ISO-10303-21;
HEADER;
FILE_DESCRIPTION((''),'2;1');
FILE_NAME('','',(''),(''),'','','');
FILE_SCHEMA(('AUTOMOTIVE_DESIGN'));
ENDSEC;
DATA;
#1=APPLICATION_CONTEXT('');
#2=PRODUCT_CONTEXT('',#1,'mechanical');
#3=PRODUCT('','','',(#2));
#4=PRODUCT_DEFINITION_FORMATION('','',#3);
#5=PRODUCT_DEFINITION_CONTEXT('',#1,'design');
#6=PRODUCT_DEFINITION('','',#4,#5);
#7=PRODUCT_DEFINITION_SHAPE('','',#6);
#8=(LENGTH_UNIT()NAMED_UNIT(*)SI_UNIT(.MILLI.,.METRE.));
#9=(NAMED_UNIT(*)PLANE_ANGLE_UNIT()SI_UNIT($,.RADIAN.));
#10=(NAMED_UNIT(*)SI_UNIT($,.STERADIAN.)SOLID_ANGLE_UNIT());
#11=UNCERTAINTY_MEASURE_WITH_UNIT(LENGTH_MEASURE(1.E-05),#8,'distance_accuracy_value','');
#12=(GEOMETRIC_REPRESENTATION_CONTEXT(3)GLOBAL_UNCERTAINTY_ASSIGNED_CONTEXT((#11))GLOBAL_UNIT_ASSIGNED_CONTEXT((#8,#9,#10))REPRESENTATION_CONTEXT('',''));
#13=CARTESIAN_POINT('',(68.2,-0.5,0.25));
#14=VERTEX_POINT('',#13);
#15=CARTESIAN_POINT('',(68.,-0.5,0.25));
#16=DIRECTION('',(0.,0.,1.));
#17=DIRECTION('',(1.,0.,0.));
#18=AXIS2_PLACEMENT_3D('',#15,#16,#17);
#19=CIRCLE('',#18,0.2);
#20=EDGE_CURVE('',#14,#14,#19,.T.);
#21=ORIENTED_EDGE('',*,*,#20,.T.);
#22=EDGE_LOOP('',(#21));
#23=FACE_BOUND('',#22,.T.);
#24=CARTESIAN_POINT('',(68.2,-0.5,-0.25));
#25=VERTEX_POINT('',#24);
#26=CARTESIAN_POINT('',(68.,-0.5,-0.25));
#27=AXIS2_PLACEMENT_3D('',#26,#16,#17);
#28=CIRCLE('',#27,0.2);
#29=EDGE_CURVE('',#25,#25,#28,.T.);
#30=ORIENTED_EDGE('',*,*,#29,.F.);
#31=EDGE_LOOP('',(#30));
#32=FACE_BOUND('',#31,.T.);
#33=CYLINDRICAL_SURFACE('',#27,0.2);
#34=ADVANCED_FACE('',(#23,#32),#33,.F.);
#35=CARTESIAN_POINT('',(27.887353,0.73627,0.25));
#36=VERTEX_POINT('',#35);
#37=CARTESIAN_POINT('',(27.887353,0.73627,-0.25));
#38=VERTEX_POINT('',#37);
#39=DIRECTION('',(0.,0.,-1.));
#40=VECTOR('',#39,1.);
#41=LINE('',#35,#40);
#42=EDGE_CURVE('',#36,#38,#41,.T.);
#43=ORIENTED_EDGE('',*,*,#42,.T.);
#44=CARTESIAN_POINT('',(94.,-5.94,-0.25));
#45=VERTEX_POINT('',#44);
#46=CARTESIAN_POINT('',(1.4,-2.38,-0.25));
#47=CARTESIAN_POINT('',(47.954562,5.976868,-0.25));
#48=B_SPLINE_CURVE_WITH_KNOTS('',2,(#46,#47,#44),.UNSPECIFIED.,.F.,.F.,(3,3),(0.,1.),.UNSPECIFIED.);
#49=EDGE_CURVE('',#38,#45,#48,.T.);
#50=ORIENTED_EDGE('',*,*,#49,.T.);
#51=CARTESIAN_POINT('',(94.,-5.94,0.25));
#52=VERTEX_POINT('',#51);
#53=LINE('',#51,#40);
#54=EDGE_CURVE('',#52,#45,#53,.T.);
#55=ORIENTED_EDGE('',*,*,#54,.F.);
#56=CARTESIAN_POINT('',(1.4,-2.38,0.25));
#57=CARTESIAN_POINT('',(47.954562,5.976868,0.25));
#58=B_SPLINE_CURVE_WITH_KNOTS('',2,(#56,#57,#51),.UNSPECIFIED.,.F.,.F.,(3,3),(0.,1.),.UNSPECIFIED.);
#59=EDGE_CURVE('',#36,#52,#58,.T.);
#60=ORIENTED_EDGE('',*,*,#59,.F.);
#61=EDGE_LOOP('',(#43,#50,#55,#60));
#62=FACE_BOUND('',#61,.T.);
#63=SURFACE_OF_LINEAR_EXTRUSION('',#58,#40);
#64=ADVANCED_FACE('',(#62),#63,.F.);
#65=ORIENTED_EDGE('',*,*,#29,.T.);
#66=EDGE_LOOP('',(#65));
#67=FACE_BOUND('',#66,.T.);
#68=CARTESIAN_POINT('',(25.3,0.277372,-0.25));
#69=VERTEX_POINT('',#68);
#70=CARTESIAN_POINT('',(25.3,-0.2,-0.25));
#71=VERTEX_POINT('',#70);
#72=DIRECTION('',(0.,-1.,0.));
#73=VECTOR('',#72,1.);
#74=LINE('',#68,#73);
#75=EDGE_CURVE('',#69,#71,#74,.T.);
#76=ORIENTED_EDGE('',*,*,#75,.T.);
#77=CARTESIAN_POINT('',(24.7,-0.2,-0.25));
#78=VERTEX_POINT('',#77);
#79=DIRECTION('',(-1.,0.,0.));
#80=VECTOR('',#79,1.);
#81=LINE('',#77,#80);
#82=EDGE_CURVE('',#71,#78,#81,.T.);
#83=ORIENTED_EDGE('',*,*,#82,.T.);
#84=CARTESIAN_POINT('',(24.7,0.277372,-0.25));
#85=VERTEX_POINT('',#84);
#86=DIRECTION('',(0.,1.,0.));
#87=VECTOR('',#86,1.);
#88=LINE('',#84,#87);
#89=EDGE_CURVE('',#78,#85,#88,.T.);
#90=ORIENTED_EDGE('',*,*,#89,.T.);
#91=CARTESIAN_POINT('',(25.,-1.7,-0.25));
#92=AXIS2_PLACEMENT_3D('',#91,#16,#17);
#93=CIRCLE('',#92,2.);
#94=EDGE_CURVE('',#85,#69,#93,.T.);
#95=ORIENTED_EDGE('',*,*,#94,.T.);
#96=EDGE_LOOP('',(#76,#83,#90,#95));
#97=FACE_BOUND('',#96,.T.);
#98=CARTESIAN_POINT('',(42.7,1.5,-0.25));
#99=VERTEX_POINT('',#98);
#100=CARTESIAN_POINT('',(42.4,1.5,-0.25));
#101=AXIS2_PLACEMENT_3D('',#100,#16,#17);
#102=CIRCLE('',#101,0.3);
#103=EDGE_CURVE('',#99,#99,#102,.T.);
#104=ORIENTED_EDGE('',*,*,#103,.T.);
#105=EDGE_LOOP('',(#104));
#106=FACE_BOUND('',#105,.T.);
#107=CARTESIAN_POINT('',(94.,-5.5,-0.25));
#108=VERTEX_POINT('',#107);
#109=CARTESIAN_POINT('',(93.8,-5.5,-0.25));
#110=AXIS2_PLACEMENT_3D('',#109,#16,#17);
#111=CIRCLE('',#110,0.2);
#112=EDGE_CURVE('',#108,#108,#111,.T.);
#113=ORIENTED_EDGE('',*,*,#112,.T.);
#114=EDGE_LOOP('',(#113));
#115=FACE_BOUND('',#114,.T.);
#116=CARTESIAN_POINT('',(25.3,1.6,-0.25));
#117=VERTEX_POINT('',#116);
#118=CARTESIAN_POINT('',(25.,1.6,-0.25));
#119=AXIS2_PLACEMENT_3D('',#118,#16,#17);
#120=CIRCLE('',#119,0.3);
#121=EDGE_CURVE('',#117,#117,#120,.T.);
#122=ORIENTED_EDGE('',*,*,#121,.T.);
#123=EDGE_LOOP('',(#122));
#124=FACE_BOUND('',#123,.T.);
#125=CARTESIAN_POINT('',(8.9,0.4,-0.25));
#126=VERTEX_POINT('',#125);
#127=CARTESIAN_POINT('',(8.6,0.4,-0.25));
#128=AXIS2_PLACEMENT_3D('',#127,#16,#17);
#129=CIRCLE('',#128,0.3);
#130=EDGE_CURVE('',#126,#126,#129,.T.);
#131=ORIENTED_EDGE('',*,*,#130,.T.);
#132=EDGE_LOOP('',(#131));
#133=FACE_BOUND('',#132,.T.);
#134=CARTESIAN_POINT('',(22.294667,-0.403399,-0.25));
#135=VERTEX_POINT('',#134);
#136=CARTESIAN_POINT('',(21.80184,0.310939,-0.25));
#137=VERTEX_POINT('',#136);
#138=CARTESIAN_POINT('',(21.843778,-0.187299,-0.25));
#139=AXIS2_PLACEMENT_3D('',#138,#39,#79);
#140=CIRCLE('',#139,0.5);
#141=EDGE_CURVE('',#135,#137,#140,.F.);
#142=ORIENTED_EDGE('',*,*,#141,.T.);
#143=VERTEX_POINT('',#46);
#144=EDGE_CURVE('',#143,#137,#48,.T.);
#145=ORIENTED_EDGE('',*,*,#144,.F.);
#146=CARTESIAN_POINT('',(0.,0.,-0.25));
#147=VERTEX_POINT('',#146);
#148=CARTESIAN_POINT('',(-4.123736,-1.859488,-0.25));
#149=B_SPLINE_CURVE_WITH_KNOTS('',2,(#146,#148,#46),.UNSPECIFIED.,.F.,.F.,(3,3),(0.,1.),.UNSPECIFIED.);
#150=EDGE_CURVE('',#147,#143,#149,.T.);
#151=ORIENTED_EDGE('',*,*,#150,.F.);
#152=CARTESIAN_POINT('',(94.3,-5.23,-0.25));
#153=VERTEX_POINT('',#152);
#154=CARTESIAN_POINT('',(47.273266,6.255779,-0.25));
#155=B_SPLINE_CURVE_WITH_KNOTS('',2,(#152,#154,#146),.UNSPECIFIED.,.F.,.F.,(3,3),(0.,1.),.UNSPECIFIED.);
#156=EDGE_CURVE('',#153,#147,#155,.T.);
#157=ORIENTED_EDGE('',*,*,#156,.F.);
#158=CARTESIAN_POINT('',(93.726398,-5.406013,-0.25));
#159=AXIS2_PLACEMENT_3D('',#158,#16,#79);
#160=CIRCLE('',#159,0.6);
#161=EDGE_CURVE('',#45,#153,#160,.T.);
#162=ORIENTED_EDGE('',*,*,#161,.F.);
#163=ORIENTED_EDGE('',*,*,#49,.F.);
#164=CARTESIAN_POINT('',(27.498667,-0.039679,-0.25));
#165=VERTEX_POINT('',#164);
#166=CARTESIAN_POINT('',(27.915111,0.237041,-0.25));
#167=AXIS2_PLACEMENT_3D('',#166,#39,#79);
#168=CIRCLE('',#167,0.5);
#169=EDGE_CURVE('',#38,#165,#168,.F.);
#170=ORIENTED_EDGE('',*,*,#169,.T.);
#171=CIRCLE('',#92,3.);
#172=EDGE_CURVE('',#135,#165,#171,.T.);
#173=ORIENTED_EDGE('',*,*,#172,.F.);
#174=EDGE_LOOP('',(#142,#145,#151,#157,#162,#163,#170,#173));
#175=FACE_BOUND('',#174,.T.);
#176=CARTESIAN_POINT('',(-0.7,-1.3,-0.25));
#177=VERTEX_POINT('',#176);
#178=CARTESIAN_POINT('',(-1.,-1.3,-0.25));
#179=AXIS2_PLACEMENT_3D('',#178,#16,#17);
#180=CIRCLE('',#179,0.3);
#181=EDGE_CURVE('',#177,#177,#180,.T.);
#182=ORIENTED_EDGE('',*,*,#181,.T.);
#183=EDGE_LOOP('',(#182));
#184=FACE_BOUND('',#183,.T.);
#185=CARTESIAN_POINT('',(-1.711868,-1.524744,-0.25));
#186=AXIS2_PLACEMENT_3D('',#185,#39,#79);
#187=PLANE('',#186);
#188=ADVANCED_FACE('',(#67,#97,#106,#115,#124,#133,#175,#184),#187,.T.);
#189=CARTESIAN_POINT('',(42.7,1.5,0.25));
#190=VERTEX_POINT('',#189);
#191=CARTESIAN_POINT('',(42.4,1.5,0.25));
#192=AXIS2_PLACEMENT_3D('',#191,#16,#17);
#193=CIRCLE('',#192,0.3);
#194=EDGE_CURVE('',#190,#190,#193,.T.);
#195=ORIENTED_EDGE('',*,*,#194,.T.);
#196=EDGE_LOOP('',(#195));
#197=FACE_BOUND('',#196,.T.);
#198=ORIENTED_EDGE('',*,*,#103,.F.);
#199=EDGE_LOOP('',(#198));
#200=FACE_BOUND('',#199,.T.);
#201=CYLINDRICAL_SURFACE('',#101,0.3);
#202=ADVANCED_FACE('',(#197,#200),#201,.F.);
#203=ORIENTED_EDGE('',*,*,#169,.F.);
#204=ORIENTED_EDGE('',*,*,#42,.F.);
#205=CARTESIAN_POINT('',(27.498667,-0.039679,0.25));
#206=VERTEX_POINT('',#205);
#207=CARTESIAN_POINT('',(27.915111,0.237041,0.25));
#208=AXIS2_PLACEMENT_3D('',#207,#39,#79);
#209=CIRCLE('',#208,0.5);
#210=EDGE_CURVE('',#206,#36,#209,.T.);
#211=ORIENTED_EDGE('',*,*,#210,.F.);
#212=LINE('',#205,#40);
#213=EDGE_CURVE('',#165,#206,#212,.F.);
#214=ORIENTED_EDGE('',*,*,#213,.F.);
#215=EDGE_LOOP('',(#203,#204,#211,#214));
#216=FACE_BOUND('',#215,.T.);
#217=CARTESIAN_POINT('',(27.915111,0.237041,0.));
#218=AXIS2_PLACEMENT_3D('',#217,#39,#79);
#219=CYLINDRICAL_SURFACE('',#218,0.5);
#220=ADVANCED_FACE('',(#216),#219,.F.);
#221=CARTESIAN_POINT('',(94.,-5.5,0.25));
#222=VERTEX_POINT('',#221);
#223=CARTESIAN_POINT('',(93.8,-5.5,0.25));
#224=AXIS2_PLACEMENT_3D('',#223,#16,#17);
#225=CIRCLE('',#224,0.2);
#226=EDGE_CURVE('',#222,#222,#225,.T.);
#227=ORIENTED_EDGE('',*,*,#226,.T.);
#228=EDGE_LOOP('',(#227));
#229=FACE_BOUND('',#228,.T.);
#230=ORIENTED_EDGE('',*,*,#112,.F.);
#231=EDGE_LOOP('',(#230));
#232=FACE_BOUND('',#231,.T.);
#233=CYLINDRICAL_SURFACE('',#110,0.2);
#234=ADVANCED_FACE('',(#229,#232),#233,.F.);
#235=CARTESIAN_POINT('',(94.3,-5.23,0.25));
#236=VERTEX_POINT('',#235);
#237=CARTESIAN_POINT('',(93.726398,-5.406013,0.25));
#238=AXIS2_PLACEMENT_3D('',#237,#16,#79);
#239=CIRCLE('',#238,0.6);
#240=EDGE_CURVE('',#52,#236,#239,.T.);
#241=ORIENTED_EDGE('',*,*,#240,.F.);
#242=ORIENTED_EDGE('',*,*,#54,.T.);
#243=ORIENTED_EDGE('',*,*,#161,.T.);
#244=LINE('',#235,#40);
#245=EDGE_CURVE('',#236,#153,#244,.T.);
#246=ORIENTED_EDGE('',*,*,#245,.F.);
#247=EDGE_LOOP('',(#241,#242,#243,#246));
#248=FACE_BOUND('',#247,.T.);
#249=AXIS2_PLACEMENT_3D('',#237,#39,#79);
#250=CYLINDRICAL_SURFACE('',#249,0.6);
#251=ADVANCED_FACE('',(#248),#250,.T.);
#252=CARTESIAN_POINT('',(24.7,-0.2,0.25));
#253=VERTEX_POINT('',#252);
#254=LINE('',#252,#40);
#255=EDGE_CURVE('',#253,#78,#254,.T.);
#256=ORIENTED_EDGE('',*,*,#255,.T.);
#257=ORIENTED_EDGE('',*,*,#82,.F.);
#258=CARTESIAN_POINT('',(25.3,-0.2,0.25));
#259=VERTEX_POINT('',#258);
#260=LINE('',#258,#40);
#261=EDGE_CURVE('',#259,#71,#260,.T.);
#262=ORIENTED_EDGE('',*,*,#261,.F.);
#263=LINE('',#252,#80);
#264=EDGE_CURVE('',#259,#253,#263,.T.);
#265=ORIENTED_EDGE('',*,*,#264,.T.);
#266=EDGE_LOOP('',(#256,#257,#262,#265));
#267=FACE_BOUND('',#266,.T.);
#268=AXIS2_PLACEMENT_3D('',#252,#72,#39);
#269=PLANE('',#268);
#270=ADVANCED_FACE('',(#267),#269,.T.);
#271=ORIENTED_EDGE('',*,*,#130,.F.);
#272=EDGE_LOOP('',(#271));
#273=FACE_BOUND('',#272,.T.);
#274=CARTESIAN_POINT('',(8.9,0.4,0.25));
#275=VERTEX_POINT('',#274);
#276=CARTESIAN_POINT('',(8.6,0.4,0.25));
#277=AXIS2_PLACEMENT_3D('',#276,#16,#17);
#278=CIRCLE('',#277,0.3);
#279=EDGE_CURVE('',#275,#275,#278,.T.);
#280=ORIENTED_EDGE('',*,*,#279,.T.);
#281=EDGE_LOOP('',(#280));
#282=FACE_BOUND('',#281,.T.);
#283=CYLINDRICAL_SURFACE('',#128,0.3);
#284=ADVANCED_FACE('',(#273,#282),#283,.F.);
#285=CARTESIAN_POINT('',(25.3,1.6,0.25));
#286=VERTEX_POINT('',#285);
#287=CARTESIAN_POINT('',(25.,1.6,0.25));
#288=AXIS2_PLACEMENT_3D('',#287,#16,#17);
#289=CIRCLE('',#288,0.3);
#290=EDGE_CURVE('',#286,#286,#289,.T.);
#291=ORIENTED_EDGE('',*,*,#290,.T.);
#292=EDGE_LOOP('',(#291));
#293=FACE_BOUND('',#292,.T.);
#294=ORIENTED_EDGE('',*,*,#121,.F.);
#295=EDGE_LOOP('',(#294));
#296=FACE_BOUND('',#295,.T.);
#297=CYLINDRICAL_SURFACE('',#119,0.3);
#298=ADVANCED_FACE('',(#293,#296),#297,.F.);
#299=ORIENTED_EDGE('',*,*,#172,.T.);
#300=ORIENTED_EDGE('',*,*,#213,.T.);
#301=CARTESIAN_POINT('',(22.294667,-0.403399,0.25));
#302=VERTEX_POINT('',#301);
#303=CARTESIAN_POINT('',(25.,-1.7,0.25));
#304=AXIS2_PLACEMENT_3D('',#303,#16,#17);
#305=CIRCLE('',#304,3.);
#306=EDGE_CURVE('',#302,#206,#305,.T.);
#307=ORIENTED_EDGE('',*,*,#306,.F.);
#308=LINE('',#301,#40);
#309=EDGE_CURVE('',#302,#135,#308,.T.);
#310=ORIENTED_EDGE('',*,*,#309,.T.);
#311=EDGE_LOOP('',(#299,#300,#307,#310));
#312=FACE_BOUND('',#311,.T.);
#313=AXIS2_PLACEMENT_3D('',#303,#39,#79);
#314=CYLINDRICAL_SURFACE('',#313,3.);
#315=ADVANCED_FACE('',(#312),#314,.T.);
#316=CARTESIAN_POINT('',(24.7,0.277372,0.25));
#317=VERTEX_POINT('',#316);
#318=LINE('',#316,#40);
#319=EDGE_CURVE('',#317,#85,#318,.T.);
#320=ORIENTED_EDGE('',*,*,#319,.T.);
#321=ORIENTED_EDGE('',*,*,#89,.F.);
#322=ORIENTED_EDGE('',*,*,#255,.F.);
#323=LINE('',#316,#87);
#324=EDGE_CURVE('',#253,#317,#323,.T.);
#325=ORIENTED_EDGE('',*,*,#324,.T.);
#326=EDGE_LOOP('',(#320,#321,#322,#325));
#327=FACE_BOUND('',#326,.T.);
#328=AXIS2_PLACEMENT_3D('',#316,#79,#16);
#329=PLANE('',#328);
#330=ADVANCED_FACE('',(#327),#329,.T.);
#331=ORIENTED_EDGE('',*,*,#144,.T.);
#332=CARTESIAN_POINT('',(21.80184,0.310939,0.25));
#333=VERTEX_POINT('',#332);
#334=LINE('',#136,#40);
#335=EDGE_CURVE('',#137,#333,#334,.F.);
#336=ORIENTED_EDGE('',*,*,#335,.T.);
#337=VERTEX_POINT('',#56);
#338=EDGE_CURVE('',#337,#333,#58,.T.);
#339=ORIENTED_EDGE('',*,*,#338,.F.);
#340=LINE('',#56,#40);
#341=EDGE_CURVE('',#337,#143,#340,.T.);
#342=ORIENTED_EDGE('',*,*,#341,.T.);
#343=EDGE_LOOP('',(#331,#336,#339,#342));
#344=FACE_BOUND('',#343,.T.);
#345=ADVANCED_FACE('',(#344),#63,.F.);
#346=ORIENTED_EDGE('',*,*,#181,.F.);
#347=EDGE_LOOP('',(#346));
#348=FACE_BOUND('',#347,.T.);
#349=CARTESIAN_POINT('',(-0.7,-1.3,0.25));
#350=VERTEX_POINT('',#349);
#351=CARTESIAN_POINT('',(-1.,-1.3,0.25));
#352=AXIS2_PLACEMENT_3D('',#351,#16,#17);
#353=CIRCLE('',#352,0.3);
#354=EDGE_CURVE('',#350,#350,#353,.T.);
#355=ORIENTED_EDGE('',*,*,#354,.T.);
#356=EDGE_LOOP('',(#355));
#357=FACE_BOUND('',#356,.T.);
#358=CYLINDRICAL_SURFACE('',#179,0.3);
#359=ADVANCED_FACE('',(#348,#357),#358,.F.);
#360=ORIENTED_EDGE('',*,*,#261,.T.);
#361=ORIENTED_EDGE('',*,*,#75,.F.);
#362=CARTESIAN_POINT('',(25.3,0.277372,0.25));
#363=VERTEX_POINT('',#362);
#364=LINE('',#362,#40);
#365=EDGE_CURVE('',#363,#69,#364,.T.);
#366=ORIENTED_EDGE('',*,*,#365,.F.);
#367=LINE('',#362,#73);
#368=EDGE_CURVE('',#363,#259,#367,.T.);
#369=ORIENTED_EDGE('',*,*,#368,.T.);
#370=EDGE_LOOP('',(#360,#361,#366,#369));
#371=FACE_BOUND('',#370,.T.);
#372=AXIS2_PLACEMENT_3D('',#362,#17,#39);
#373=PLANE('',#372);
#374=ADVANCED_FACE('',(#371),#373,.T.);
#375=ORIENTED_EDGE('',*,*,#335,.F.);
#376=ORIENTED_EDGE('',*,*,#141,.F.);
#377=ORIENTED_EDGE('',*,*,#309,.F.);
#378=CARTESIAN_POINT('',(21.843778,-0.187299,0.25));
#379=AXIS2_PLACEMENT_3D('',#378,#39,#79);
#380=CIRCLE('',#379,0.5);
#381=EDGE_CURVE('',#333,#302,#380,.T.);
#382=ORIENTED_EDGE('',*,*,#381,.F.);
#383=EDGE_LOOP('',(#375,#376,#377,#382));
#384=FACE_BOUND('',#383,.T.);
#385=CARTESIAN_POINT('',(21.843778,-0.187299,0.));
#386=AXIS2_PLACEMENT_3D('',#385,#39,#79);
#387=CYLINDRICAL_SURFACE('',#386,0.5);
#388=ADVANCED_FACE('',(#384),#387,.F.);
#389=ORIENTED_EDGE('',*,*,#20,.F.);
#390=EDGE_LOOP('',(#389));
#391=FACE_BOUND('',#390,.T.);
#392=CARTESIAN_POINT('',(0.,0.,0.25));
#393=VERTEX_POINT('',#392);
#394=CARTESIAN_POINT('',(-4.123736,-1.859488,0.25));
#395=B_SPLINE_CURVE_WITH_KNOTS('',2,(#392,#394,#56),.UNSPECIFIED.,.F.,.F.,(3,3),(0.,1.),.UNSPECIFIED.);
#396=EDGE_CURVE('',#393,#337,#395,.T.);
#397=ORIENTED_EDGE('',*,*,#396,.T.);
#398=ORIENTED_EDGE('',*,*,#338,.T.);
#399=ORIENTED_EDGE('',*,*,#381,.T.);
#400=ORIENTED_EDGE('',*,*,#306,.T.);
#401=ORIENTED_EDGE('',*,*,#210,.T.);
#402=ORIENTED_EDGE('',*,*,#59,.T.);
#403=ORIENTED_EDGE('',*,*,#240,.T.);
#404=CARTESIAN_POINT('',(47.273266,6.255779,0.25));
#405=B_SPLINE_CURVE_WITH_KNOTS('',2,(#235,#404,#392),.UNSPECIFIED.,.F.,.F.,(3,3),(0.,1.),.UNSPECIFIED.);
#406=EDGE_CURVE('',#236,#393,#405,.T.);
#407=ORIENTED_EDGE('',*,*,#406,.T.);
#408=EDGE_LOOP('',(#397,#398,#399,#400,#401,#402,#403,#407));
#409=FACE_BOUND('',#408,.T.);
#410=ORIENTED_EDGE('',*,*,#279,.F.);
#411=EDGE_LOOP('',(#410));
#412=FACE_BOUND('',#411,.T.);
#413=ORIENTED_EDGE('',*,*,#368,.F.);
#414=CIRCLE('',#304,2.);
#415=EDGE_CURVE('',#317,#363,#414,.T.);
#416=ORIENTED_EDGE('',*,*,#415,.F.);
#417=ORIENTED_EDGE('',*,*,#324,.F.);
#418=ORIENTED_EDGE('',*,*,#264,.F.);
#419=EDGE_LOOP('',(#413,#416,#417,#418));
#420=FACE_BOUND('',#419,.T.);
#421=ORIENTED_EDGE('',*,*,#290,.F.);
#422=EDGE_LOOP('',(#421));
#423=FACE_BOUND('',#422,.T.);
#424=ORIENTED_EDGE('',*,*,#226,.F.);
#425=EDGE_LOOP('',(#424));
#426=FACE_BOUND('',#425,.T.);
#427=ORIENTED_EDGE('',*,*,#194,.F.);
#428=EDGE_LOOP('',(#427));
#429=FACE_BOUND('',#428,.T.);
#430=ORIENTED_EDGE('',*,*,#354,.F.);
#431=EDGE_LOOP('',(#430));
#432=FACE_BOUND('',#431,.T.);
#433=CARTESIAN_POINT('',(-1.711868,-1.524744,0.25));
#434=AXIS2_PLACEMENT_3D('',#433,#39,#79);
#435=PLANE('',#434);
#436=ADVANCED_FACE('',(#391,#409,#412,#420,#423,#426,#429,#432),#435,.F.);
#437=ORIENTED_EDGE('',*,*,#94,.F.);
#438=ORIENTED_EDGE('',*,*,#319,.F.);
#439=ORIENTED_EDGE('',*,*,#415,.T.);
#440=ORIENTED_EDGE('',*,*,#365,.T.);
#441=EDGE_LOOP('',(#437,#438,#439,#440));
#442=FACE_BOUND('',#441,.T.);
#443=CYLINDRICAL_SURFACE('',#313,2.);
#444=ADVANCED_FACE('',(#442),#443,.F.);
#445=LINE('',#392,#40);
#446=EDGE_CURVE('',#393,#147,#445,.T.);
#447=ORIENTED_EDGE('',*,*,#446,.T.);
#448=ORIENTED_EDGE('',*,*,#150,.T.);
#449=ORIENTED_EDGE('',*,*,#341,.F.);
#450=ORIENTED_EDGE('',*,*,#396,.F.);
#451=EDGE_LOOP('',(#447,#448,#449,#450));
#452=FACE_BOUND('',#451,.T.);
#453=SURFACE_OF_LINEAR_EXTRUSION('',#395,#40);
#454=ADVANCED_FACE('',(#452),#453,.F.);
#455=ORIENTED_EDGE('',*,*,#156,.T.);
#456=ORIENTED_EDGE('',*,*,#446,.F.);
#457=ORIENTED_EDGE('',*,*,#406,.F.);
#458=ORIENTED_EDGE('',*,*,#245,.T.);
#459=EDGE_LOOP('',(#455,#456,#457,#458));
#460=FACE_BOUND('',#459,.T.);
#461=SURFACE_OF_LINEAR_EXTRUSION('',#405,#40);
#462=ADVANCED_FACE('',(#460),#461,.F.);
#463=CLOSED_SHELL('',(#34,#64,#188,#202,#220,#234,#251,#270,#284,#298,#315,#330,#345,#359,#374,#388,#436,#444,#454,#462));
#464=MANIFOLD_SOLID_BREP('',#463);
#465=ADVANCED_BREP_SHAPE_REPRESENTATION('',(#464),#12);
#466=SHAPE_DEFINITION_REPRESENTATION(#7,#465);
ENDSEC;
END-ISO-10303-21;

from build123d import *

# Parameters (mm, degrees)
EXTRUDE_1_DEPTH     = 0.25
SKETCH_3_R          = 0.3
SKETCH_3_R_2        = 0.2
CUT_EXTRUDE_1_DEPTH = 0.25
EXTRUDE_2_DEPTH     = 0.25
FILLET_1_R          = 0.5


with BuildPart() as part:
    # 草图2 → 凸台-拉伸1 (new, symmetric)
    with BuildSketch(Plane.XY):
        with BuildLine():
            ThreePointArc((94.3, -5.23), (94.279085645, -5.63954323), (94, -5.94))
            add(Edge.make_bspline(
                [(1.4, -2.38), (47.954561827, 5.976867864), (94, -5.94)],
                knots=[0, 0, 0, 1, 1, 1], degree=2))
            add(Edge.make_bspline(
                [(0, 0), (-4.123736473, -1.859487618), (1.4, -2.38)],
                knots=[0, 0, 0, 1, 1, 1], degree=2))
            add(Edge.make_bspline(
                [(0, 0), (47.273266317, 6.255778848), (94.3, -5.23)],
                knots=[0, 0, 0, 1, 1, 1], degree=2))
        make_face()
    extrude(amount=EXTRUDE_1_DEPTH, both=True)

    # 草图3 → 切除-拉伸1 (cut, symmetric)
    with BuildSketch(Plane.XY):
        with Locations((-1, -1.3)):
            Circle(SKETCH_3_R)
        with Locations((8.6, 0.4)):
            Circle(SKETCH_3_R)
        with Locations((25, 1.6)):
            Circle(SKETCH_3_R)
        with Locations((42.4, 1.5)):
            Circle(SKETCH_3_R)
        with Locations((68, -0.5)):
            Circle(SKETCH_3_R_2)
        with Locations((93.8, -5.5)):
            Circle(SKETCH_3_R_2)
    extrude(amount=CUT_EXTRUDE_1_DEPTH, both=True, mode=Mode.SUBTRACT)

    # 草图4 → 凸台-拉伸2 (add, symmetric)
    with BuildSketch(Plane.XY):
        with BuildLine():
            ThreePointArc((22.854587938, 0.396951856), (25.20918356, -4.692698154), (26.83283005, 0.675022949))
            add(Edge.make_bspline(
                [(22.854587938, 0.396951856), (24.844176287, 0.554595418), (26.83283005, 0.675022949)],
                knots=[0, 0, 0, 1, 1, 1], degree=2))
        make_face()
        with BuildLine():
            Line((24.7, 0.277371993), (24.7, -0.2))
            Line((24.7, -0.2), (25.3, -0.2))
            Line((25.3, -0.2), (25.3, 0.277371993))
            ThreePointArc((25.3, 0.277371993), (25, -3.7), (24.7, 0.277371993))
        make_face(mode=Mode.SUBTRACT)
    extrude(amount=EXTRUDE_2_DEPTH, both=True)

    # 圆角1
    fillet_1_edges = [part.edges().sort_by_distance(p)[0] for p in [
        (26.83283005, 0.675022949, -0.125),
        (22.854587938, 0.396951856, -0.125),
    ]]
    fillet(fillet_1_edges, radius=FILLET_1_R)


solid = part.part
